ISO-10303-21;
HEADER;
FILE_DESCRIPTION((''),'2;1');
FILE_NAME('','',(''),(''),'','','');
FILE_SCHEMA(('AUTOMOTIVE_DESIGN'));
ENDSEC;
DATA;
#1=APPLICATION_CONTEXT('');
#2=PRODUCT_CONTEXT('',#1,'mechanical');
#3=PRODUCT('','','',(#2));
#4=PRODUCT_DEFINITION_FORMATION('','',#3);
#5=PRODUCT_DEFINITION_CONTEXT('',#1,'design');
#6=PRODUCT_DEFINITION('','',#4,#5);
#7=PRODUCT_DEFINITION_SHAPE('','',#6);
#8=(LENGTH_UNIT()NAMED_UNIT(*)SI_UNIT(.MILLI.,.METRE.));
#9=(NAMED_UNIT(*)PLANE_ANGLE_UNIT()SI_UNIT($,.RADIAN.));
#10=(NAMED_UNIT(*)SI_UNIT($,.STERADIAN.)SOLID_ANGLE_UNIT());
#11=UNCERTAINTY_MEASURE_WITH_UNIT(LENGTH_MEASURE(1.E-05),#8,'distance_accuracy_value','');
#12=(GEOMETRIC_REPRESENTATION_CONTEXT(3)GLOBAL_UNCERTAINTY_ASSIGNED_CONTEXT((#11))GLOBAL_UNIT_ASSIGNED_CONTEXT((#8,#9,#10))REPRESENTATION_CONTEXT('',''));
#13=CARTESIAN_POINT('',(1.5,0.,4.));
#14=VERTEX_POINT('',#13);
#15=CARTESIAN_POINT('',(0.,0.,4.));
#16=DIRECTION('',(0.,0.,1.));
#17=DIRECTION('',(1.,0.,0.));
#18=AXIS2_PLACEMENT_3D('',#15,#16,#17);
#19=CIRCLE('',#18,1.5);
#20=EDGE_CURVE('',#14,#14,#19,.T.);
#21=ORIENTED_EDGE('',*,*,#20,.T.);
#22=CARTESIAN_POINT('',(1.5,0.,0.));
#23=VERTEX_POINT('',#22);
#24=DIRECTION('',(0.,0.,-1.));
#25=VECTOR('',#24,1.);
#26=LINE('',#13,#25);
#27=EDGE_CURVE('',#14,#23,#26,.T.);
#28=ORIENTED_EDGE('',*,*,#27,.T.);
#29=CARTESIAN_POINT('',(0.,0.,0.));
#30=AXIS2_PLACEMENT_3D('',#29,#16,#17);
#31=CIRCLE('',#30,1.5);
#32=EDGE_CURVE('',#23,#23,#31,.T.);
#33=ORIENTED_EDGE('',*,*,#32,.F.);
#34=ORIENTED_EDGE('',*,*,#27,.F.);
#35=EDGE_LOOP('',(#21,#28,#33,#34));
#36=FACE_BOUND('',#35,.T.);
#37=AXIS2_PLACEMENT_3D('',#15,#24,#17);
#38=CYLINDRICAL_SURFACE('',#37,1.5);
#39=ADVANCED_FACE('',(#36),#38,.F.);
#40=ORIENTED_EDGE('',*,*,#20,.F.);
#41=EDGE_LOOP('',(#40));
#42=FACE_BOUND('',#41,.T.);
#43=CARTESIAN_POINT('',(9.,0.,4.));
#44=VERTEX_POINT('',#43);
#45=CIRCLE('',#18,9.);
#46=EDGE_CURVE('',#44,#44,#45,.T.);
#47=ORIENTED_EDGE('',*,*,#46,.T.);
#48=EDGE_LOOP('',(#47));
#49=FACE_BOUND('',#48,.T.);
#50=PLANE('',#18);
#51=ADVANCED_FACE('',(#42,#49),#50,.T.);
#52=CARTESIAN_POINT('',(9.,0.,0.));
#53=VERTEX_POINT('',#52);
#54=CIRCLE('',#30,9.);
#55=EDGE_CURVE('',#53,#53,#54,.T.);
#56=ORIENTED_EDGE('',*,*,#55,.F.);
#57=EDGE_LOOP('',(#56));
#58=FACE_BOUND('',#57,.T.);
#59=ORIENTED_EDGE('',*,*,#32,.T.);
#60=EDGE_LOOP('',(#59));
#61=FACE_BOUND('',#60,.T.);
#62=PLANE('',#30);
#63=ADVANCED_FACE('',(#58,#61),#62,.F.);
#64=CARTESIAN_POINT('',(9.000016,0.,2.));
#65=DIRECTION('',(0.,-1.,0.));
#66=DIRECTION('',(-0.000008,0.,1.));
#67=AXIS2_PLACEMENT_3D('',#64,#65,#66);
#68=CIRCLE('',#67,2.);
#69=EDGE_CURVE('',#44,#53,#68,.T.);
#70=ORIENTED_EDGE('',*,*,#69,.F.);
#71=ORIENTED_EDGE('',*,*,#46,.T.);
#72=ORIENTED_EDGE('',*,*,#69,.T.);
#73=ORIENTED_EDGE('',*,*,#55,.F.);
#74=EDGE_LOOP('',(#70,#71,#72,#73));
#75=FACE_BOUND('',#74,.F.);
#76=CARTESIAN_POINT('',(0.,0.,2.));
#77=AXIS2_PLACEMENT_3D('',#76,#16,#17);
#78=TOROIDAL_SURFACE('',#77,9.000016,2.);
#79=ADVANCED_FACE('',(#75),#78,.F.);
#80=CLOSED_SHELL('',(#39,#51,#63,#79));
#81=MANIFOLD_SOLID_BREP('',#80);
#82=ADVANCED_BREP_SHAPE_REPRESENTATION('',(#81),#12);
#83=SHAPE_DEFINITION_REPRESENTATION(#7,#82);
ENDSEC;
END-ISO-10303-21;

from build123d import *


with BuildPart() as part:
    # Sketch → Revolution (revolve)
    with BuildSketch(Plane.XZ):
        with BuildLine():
            Line((1.5, 0), (9, 0))
            ThreePointArc((9, 4), (7.000016, 2), (9, 0))
            Line((9, 4), (1.5, 4))
            Line((1.5, 4), (1.5, 0))
        make_face()
    revolve(axis=Axis((0, 0, 0), (0, 0, 1)))


solid = part.part
